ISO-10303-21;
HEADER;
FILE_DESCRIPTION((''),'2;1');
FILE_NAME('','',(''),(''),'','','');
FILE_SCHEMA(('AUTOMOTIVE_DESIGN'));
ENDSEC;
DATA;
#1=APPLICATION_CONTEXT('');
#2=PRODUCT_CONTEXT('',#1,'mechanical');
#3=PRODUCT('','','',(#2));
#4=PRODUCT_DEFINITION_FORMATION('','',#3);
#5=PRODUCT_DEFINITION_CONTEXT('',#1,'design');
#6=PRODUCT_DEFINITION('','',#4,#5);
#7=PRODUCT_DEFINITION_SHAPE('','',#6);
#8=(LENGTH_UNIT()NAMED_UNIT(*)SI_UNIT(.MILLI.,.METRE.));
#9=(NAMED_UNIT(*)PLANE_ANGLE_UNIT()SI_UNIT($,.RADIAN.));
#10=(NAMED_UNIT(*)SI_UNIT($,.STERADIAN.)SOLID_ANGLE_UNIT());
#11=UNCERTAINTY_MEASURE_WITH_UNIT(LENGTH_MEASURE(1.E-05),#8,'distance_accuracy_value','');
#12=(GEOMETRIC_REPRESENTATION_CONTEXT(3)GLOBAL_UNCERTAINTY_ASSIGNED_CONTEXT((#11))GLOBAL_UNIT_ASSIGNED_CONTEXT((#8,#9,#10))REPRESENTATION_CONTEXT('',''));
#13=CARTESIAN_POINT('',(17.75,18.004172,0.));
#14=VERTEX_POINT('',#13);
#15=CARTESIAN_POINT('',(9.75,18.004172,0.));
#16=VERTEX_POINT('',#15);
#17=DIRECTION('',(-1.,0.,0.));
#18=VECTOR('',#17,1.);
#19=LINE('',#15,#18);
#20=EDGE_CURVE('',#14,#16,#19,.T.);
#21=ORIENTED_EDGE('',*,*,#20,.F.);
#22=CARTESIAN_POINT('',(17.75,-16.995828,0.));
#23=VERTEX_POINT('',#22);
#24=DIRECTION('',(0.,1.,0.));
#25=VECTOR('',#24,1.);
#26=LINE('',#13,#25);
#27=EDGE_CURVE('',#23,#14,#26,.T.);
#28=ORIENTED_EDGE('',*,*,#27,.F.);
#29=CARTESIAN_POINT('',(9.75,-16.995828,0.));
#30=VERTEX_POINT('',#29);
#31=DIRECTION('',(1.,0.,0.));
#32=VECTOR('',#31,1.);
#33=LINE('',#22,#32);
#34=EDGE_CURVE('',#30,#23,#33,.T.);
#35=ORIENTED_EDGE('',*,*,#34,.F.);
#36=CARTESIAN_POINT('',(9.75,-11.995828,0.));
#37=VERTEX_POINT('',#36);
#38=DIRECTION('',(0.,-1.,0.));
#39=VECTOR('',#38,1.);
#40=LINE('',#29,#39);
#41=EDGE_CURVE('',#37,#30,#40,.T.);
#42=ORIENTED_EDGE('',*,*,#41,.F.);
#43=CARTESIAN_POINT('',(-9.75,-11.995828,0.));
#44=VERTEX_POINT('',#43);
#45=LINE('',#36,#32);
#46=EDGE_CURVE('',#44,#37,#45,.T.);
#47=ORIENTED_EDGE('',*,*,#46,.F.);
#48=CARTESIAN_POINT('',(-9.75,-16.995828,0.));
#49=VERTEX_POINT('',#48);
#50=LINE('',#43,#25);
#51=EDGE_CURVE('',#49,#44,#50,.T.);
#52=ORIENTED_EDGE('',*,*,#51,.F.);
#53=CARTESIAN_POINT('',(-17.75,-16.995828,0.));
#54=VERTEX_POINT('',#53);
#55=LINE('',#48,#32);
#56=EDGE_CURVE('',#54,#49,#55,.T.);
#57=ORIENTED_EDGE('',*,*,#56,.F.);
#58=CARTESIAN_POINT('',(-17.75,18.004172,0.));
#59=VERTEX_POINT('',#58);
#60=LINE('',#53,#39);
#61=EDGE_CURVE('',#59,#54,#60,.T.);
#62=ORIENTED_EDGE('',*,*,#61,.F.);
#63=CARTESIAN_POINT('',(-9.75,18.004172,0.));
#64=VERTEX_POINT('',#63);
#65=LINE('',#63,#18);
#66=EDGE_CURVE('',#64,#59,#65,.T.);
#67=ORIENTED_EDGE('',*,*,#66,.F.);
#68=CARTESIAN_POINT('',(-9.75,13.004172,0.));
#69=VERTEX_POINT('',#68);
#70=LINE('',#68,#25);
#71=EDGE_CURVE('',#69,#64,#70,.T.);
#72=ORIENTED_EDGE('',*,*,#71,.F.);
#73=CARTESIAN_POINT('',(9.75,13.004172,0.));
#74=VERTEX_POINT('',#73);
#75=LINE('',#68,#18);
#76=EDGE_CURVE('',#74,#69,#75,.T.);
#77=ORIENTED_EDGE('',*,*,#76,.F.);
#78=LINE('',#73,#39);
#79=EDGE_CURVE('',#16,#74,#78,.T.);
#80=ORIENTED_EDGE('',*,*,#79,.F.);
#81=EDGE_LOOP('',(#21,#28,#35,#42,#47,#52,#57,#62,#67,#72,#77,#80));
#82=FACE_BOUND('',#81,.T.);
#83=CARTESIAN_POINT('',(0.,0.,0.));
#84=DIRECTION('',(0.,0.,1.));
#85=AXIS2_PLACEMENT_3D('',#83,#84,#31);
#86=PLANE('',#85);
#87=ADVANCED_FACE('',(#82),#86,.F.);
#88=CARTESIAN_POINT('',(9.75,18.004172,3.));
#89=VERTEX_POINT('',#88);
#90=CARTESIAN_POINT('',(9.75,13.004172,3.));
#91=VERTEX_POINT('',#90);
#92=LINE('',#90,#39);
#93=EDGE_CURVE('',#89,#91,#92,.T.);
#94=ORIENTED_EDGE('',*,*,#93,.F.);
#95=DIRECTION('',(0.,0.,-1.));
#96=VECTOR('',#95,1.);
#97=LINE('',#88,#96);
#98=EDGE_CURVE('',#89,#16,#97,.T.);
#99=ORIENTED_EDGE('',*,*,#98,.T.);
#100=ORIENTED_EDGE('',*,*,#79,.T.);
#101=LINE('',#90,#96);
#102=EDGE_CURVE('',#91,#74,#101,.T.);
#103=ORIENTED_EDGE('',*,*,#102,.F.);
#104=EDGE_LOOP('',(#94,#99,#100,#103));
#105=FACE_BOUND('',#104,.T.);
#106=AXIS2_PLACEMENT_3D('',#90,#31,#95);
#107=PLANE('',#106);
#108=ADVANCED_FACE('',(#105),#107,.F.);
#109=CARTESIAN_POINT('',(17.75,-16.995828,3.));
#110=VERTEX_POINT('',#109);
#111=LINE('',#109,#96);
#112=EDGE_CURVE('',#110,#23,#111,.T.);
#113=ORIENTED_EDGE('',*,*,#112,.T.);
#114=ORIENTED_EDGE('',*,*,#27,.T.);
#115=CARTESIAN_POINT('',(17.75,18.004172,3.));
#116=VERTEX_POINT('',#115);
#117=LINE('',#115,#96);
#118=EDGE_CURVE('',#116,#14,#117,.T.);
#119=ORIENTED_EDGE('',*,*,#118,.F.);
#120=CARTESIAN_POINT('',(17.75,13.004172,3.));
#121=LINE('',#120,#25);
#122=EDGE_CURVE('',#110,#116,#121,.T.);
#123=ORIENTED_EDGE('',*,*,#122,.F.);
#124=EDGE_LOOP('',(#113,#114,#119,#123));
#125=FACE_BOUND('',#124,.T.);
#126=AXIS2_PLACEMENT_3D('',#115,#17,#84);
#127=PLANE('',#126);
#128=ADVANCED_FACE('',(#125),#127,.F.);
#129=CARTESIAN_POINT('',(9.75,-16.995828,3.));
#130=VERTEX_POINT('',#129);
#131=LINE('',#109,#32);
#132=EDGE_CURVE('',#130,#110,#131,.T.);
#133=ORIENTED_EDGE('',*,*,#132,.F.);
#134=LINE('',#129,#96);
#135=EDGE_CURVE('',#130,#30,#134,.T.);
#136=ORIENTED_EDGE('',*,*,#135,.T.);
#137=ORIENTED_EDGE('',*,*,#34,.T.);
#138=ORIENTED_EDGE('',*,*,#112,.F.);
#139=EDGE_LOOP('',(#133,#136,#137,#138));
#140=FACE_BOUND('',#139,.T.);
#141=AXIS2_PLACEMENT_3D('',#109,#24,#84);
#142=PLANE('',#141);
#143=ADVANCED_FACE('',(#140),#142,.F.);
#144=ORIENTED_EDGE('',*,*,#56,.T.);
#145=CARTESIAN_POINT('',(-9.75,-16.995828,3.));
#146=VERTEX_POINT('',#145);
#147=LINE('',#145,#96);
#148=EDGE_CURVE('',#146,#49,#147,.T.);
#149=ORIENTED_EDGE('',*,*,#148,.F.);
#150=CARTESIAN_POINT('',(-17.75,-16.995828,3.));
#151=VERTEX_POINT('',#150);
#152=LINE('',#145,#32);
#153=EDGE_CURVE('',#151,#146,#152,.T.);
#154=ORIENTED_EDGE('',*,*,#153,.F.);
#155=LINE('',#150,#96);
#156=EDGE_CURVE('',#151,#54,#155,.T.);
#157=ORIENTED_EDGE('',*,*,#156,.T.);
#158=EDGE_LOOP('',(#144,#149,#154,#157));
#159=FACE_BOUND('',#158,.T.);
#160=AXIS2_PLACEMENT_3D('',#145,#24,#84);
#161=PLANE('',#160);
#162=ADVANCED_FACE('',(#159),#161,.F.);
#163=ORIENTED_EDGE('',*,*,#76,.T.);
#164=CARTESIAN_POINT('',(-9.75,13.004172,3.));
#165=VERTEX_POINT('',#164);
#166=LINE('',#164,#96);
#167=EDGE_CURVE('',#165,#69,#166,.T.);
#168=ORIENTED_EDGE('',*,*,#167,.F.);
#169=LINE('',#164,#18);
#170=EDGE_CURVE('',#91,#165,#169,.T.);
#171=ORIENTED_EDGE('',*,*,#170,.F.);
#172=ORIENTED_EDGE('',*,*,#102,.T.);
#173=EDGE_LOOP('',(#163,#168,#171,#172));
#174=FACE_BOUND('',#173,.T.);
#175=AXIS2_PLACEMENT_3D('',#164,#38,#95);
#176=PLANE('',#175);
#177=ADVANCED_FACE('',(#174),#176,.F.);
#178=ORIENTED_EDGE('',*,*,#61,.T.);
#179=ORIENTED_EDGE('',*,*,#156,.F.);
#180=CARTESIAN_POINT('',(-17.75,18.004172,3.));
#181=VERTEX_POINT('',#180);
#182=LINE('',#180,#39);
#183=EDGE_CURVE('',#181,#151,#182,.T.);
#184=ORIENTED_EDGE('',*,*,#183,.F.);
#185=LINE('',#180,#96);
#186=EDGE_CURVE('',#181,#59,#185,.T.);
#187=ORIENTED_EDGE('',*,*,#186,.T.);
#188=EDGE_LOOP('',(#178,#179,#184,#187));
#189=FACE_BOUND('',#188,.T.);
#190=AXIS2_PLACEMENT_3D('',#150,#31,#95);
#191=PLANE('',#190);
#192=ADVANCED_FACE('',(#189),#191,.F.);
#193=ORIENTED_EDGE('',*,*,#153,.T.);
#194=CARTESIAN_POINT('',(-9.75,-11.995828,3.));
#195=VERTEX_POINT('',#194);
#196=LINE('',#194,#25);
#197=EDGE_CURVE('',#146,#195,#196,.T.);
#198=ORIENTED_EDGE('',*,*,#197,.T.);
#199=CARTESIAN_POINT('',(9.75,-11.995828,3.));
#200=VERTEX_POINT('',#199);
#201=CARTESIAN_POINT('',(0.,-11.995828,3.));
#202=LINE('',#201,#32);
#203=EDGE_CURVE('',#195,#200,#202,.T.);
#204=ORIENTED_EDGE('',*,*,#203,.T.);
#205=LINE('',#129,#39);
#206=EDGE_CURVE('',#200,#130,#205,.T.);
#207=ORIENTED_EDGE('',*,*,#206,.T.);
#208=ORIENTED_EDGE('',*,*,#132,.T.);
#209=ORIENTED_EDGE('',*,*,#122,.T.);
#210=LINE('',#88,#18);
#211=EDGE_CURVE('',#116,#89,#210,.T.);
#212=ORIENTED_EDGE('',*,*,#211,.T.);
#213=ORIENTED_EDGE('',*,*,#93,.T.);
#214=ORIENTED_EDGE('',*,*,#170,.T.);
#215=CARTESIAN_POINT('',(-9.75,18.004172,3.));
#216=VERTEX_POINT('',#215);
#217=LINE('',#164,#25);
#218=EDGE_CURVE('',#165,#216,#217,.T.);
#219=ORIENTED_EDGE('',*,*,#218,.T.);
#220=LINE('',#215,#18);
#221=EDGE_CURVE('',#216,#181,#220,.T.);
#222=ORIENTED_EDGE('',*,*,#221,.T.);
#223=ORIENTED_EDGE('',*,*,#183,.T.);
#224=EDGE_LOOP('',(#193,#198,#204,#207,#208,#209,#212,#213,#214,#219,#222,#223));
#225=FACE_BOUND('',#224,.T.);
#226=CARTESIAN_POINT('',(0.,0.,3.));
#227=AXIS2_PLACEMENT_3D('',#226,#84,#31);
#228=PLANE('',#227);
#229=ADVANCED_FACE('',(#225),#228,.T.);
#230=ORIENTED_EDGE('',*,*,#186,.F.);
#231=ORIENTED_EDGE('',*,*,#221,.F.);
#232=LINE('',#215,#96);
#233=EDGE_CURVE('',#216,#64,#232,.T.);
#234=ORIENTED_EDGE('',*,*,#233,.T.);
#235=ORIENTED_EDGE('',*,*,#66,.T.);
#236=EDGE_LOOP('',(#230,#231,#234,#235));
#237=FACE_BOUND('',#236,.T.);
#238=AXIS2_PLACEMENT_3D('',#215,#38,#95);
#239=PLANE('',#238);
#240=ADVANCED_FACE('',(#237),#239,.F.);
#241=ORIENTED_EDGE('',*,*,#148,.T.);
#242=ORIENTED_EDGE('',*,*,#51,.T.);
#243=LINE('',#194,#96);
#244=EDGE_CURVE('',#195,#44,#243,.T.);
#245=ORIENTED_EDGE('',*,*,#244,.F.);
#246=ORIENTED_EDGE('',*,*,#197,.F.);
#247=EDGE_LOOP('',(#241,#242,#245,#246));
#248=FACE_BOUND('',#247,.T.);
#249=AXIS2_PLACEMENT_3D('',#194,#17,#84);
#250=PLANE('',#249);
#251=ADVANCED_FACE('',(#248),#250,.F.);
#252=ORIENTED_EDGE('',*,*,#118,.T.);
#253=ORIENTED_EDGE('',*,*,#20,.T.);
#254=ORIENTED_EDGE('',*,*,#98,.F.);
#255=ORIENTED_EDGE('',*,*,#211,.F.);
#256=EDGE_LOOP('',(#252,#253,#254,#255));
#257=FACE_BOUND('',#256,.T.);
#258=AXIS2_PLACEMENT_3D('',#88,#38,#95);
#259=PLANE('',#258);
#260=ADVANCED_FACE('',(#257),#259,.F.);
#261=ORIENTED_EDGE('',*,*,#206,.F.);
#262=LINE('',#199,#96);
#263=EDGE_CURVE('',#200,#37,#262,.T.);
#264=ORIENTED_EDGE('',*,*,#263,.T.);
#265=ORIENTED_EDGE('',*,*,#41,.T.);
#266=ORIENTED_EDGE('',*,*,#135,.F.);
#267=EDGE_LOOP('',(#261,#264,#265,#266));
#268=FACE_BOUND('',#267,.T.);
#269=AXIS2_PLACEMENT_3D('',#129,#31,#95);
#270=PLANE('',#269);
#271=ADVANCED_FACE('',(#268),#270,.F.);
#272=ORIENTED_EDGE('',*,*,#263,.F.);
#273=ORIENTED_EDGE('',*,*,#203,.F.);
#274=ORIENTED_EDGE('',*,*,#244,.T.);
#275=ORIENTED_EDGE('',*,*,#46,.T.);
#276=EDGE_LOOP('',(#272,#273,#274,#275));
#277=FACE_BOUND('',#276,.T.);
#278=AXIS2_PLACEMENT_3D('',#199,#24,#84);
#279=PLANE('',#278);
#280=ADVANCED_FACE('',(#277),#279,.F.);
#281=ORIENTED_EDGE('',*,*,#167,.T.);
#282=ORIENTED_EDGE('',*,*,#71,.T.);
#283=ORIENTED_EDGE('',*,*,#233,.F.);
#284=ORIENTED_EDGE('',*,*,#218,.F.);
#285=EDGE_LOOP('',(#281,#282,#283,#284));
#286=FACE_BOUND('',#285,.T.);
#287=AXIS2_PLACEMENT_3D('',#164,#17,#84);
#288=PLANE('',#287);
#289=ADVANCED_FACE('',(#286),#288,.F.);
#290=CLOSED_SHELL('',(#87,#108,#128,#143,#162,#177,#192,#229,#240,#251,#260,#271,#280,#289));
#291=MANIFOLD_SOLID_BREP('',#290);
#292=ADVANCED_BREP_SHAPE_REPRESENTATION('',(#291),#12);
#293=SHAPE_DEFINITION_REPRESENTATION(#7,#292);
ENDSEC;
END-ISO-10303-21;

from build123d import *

# Parameters (mm, degrees)
RESSALTO_EXTRUS_O1_DEPTH = 3


with BuildPart() as part:
    # Esboço1 → Ressalto-extrusão1 (new body)
    with BuildSketch(Plane.XY):
        Polygon((-9.75, 13.00417228), (9.75, 13.00417228), (9.75, 18.00417228), (17.75, 18.00417228), (17.75, 13.00417228), (17.75, -16.99582772), (9.75, -16.99582772), (9.75, -11.99582772), (0, -11.99582772), (-9.75, -11.99582772), (-9.75, -16.99582772), (-17.75, -16.99582772), (-17.75, 13.00417228), (-17.75, 18.00417228), (-9.75, 18.00417228), align=None)
    extrude(amount=RESSALTO_EXTRUS_O1_DEPTH)


solid = part.part
